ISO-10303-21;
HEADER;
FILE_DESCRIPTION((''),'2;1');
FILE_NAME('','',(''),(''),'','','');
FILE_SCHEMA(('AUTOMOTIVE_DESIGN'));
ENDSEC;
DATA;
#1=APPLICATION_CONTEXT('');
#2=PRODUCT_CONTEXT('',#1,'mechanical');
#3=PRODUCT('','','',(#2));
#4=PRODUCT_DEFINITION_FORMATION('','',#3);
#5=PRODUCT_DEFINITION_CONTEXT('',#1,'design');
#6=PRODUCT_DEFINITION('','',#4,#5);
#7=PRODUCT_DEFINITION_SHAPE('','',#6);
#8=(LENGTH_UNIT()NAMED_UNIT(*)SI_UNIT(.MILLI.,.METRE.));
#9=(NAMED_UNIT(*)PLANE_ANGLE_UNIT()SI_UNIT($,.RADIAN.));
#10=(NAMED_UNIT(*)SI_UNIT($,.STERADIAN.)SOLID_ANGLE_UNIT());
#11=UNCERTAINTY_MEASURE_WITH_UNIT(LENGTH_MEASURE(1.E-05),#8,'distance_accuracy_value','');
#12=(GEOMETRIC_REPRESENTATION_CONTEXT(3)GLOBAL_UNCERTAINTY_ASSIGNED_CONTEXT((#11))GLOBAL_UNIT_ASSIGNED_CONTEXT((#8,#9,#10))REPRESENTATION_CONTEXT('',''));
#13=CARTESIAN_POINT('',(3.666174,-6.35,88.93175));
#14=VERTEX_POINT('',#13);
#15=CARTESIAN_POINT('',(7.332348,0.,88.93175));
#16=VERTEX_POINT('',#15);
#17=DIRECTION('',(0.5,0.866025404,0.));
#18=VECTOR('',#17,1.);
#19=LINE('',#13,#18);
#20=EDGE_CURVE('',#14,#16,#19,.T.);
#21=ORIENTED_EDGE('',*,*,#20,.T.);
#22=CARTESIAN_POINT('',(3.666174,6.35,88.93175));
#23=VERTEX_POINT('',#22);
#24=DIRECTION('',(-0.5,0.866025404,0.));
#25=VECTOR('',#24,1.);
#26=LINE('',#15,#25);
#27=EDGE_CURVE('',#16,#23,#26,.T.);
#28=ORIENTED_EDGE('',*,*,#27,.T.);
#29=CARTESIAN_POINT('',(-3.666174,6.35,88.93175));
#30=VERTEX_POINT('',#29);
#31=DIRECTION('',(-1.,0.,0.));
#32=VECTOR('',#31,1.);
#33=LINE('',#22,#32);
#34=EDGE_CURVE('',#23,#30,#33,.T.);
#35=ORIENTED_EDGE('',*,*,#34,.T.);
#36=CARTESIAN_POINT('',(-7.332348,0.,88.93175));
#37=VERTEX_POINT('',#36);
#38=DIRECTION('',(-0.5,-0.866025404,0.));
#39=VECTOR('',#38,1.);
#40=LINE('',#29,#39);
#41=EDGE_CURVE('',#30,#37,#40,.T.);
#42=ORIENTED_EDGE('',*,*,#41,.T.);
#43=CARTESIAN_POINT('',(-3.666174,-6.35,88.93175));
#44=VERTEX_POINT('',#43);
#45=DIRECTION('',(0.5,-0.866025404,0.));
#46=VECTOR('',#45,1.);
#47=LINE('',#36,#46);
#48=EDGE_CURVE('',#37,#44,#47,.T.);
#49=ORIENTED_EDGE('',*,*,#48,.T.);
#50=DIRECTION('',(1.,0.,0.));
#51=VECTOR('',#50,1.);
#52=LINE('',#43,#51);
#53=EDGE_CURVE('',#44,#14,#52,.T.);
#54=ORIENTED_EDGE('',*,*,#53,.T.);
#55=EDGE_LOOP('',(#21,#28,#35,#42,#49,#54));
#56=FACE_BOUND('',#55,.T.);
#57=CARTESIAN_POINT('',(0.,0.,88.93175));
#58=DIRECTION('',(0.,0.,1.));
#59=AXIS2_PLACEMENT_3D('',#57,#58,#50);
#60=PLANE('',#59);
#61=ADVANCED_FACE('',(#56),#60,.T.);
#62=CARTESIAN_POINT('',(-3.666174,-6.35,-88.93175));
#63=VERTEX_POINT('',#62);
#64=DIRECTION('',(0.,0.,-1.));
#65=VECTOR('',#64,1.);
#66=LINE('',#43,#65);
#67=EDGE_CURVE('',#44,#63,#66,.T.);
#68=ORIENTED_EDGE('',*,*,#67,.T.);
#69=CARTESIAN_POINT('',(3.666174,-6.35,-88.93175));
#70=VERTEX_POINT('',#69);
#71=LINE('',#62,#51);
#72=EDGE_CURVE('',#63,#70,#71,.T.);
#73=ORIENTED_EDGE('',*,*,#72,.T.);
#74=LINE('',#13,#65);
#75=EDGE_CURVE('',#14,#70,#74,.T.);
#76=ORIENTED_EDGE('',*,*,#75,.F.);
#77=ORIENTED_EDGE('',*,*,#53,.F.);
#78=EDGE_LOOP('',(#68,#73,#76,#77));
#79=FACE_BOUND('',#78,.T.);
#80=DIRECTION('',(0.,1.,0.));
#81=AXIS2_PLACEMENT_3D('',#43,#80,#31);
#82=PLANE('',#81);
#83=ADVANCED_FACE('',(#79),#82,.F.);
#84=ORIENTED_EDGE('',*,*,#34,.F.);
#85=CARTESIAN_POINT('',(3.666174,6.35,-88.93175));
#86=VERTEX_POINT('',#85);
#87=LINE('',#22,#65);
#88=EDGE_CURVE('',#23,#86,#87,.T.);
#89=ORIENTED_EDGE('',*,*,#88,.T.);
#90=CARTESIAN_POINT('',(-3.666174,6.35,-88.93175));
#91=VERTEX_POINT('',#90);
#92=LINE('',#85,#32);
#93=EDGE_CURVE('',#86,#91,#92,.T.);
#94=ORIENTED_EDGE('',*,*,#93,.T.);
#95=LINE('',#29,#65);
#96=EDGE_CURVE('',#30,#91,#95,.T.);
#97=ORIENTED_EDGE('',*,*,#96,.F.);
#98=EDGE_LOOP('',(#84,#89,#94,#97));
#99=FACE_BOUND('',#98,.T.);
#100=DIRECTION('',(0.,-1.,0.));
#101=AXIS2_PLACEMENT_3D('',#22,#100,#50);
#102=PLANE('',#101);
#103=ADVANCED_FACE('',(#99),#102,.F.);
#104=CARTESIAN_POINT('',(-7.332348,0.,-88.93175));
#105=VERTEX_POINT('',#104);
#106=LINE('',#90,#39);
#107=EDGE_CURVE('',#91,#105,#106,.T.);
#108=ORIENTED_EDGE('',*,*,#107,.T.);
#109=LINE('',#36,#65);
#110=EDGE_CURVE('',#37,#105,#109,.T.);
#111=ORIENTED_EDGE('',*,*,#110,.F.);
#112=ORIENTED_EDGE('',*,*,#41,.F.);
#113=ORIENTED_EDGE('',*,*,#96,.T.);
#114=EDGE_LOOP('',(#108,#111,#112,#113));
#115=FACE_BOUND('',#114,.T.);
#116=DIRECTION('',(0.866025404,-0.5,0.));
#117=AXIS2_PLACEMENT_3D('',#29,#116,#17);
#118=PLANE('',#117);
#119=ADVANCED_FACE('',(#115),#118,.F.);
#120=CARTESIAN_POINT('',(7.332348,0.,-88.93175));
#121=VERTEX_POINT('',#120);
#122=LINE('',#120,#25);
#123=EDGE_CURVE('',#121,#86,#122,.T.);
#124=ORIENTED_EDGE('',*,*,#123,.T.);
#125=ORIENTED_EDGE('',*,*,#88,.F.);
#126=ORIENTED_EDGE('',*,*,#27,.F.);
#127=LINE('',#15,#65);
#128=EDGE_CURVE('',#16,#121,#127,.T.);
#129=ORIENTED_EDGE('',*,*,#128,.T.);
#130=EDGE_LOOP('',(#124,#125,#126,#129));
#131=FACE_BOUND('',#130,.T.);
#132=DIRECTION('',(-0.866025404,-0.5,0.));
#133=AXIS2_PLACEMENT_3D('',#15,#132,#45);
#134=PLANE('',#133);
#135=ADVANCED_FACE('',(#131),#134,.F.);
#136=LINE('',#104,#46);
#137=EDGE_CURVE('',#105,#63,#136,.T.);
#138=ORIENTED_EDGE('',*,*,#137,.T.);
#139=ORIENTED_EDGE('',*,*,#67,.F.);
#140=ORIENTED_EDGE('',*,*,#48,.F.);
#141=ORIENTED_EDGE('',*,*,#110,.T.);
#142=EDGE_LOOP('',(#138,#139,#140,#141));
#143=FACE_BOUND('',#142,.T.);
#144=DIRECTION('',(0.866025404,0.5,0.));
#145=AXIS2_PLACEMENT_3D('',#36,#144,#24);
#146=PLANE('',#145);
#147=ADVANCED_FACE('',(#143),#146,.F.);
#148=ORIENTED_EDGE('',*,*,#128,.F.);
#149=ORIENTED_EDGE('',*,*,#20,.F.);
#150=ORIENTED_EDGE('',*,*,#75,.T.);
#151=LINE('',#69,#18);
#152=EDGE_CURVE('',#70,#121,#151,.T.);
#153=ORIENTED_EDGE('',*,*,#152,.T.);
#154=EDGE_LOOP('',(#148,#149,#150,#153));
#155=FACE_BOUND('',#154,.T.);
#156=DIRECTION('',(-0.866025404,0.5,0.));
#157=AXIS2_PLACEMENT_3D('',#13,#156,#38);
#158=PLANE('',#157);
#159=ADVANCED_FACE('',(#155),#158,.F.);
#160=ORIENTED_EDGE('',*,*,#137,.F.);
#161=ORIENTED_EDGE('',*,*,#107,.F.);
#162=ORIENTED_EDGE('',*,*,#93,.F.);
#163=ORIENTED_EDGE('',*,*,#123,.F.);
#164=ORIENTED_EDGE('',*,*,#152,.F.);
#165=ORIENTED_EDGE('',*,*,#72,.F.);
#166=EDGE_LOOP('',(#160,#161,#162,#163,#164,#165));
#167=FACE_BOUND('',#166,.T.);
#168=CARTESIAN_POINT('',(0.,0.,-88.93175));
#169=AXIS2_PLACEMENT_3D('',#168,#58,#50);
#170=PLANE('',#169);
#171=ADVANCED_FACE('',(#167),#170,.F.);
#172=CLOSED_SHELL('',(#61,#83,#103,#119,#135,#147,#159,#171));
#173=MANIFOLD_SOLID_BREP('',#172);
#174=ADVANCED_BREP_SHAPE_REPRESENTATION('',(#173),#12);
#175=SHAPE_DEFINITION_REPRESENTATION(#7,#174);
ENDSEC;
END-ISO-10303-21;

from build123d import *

# Parameters (mm, degrees)
BOSS_EXTRUDE1_DEPTH = 88.93175


with BuildPart() as part:
    # Sketch1 → Boss-Extrude1 (new, symmetric)
    with BuildSketch(Plane.XY):
        Polygon((3.666174209, 6.35), (-3.666174209, 6.35), (-7.332348419, 0), (-3.666174209, -6.35), (3.666174209, -6.35), (7.332348419, 0), align=None)
    extrude(amount=BOSS_EXTRUDE1_DEPTH, both=True)


solid = part.part
